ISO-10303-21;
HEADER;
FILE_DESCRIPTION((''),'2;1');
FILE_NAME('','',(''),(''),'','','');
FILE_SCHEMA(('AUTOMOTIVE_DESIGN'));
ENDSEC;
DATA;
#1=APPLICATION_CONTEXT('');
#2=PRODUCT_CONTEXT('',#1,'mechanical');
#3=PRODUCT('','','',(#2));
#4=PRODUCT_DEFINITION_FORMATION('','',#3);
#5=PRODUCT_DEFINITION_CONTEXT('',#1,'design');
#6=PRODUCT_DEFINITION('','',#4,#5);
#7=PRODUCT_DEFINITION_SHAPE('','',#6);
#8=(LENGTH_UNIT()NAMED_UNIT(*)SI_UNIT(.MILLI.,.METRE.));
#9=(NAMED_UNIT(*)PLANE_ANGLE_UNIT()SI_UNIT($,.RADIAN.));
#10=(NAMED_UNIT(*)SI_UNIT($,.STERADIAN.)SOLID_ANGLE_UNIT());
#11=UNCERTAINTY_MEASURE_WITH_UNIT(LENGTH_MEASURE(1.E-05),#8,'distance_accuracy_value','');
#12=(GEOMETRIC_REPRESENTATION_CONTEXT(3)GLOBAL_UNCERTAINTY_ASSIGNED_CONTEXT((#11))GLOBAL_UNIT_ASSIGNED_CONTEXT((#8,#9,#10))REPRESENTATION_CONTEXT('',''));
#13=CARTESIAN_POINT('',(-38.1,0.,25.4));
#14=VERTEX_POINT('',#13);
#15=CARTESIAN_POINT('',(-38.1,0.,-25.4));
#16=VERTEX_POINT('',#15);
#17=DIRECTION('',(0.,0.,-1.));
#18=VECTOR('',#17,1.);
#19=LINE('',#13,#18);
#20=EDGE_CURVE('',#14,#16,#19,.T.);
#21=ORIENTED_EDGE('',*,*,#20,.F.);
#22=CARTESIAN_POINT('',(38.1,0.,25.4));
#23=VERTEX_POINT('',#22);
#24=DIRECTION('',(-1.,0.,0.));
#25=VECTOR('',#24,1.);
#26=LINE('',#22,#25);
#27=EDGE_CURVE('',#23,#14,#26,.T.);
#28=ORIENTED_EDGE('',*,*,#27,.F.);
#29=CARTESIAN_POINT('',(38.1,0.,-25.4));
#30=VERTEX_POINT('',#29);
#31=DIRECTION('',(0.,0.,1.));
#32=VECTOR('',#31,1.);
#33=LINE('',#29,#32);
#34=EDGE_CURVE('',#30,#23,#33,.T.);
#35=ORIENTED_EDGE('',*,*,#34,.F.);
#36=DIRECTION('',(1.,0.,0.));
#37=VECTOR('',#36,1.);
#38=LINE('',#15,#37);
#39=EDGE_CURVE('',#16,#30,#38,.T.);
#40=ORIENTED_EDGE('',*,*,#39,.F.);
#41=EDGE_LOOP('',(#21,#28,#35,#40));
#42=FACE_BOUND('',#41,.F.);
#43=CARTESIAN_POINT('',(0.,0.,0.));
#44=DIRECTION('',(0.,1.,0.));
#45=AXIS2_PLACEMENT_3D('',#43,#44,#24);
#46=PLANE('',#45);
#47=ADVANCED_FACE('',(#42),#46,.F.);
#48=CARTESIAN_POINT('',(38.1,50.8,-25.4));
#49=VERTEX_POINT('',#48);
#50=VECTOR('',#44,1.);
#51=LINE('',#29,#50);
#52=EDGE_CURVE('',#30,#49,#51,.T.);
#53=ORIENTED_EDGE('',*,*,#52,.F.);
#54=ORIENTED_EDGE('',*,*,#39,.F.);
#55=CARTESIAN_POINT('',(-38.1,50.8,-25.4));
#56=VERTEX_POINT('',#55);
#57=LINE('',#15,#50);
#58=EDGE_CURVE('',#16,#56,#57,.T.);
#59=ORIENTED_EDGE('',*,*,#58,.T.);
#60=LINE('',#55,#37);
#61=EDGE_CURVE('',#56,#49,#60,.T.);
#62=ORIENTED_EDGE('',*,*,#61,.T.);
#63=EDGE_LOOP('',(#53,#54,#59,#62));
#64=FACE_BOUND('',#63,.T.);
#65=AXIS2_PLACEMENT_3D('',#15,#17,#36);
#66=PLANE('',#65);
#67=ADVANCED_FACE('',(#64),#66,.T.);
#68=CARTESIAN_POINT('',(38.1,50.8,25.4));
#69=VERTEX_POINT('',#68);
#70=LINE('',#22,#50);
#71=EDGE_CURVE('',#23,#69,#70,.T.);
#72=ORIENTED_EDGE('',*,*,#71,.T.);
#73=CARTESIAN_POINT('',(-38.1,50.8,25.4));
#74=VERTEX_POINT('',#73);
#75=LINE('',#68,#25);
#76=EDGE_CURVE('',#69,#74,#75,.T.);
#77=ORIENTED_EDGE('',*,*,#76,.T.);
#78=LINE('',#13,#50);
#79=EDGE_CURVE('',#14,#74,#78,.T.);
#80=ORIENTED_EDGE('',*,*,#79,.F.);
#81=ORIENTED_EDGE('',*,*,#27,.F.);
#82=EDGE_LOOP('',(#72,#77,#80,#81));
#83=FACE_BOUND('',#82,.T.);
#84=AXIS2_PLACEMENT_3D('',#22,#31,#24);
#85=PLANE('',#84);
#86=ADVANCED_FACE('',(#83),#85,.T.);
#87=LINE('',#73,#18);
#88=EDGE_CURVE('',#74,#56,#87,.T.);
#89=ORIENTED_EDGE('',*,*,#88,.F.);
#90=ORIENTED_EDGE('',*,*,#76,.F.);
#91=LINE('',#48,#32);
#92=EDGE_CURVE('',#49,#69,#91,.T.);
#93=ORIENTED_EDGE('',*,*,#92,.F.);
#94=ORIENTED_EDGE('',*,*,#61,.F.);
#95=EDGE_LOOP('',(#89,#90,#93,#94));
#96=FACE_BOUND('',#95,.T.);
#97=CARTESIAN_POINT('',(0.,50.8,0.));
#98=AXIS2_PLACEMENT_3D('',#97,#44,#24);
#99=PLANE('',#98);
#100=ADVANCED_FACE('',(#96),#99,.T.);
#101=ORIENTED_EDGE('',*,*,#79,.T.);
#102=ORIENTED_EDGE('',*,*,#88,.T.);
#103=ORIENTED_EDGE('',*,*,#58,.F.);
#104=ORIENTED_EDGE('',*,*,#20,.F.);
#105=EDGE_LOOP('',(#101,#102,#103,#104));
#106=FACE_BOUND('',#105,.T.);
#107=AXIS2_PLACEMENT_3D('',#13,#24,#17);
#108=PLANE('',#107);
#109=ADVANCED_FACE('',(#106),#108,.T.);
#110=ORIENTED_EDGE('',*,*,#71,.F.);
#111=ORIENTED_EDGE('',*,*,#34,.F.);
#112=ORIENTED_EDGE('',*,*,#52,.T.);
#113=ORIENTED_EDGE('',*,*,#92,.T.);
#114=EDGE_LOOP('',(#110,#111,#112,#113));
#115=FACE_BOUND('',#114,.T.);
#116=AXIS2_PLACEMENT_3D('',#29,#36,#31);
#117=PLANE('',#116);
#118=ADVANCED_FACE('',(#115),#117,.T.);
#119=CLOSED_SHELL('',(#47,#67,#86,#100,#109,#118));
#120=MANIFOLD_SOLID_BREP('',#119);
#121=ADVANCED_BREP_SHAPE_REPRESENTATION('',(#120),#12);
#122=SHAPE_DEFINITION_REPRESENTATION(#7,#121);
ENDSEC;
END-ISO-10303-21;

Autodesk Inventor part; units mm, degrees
ref_plane "YZ Plane" through (0, 0, 0) normal (1, 0, 0) x (0, 1, 0)
ref_plane "XZ Plane" through (0, 0, 0) normal (0, 1, 0) x (-1, 0, 0)
ref_plane "XY Plane" through (0, 0, 0) normal (0, 0, 1) x (1, 0, 0)
sketch "Sketch1" plane through (0, 0, 0) normal (0, 1, 0) x (-1, 0, 0)
  line L0 (-38.1, 25.4) -> (38.1, 25.4)
  line L1 (38.1, 25.4) -> (38.1, -25.4)
  line L2 (38.1, -25.4) -> (-38.1, -25.4)
  line L3 (-38.1, -25.4) -> (-38.1, 25.4)
  line L4 (-38.1, 25.4) -> (38.1, -25.4) construction
  line L5 (38.1, 25.4) -> (-38.1, -25.4) construction
  point P0 (0, 0)
  dimension "d0" = 76.2
  dimension "d1" = 50.8
extrude "Extrusion1" add sketch "Sketch1" along normal blind 50.8
properties part number "BX11111"
